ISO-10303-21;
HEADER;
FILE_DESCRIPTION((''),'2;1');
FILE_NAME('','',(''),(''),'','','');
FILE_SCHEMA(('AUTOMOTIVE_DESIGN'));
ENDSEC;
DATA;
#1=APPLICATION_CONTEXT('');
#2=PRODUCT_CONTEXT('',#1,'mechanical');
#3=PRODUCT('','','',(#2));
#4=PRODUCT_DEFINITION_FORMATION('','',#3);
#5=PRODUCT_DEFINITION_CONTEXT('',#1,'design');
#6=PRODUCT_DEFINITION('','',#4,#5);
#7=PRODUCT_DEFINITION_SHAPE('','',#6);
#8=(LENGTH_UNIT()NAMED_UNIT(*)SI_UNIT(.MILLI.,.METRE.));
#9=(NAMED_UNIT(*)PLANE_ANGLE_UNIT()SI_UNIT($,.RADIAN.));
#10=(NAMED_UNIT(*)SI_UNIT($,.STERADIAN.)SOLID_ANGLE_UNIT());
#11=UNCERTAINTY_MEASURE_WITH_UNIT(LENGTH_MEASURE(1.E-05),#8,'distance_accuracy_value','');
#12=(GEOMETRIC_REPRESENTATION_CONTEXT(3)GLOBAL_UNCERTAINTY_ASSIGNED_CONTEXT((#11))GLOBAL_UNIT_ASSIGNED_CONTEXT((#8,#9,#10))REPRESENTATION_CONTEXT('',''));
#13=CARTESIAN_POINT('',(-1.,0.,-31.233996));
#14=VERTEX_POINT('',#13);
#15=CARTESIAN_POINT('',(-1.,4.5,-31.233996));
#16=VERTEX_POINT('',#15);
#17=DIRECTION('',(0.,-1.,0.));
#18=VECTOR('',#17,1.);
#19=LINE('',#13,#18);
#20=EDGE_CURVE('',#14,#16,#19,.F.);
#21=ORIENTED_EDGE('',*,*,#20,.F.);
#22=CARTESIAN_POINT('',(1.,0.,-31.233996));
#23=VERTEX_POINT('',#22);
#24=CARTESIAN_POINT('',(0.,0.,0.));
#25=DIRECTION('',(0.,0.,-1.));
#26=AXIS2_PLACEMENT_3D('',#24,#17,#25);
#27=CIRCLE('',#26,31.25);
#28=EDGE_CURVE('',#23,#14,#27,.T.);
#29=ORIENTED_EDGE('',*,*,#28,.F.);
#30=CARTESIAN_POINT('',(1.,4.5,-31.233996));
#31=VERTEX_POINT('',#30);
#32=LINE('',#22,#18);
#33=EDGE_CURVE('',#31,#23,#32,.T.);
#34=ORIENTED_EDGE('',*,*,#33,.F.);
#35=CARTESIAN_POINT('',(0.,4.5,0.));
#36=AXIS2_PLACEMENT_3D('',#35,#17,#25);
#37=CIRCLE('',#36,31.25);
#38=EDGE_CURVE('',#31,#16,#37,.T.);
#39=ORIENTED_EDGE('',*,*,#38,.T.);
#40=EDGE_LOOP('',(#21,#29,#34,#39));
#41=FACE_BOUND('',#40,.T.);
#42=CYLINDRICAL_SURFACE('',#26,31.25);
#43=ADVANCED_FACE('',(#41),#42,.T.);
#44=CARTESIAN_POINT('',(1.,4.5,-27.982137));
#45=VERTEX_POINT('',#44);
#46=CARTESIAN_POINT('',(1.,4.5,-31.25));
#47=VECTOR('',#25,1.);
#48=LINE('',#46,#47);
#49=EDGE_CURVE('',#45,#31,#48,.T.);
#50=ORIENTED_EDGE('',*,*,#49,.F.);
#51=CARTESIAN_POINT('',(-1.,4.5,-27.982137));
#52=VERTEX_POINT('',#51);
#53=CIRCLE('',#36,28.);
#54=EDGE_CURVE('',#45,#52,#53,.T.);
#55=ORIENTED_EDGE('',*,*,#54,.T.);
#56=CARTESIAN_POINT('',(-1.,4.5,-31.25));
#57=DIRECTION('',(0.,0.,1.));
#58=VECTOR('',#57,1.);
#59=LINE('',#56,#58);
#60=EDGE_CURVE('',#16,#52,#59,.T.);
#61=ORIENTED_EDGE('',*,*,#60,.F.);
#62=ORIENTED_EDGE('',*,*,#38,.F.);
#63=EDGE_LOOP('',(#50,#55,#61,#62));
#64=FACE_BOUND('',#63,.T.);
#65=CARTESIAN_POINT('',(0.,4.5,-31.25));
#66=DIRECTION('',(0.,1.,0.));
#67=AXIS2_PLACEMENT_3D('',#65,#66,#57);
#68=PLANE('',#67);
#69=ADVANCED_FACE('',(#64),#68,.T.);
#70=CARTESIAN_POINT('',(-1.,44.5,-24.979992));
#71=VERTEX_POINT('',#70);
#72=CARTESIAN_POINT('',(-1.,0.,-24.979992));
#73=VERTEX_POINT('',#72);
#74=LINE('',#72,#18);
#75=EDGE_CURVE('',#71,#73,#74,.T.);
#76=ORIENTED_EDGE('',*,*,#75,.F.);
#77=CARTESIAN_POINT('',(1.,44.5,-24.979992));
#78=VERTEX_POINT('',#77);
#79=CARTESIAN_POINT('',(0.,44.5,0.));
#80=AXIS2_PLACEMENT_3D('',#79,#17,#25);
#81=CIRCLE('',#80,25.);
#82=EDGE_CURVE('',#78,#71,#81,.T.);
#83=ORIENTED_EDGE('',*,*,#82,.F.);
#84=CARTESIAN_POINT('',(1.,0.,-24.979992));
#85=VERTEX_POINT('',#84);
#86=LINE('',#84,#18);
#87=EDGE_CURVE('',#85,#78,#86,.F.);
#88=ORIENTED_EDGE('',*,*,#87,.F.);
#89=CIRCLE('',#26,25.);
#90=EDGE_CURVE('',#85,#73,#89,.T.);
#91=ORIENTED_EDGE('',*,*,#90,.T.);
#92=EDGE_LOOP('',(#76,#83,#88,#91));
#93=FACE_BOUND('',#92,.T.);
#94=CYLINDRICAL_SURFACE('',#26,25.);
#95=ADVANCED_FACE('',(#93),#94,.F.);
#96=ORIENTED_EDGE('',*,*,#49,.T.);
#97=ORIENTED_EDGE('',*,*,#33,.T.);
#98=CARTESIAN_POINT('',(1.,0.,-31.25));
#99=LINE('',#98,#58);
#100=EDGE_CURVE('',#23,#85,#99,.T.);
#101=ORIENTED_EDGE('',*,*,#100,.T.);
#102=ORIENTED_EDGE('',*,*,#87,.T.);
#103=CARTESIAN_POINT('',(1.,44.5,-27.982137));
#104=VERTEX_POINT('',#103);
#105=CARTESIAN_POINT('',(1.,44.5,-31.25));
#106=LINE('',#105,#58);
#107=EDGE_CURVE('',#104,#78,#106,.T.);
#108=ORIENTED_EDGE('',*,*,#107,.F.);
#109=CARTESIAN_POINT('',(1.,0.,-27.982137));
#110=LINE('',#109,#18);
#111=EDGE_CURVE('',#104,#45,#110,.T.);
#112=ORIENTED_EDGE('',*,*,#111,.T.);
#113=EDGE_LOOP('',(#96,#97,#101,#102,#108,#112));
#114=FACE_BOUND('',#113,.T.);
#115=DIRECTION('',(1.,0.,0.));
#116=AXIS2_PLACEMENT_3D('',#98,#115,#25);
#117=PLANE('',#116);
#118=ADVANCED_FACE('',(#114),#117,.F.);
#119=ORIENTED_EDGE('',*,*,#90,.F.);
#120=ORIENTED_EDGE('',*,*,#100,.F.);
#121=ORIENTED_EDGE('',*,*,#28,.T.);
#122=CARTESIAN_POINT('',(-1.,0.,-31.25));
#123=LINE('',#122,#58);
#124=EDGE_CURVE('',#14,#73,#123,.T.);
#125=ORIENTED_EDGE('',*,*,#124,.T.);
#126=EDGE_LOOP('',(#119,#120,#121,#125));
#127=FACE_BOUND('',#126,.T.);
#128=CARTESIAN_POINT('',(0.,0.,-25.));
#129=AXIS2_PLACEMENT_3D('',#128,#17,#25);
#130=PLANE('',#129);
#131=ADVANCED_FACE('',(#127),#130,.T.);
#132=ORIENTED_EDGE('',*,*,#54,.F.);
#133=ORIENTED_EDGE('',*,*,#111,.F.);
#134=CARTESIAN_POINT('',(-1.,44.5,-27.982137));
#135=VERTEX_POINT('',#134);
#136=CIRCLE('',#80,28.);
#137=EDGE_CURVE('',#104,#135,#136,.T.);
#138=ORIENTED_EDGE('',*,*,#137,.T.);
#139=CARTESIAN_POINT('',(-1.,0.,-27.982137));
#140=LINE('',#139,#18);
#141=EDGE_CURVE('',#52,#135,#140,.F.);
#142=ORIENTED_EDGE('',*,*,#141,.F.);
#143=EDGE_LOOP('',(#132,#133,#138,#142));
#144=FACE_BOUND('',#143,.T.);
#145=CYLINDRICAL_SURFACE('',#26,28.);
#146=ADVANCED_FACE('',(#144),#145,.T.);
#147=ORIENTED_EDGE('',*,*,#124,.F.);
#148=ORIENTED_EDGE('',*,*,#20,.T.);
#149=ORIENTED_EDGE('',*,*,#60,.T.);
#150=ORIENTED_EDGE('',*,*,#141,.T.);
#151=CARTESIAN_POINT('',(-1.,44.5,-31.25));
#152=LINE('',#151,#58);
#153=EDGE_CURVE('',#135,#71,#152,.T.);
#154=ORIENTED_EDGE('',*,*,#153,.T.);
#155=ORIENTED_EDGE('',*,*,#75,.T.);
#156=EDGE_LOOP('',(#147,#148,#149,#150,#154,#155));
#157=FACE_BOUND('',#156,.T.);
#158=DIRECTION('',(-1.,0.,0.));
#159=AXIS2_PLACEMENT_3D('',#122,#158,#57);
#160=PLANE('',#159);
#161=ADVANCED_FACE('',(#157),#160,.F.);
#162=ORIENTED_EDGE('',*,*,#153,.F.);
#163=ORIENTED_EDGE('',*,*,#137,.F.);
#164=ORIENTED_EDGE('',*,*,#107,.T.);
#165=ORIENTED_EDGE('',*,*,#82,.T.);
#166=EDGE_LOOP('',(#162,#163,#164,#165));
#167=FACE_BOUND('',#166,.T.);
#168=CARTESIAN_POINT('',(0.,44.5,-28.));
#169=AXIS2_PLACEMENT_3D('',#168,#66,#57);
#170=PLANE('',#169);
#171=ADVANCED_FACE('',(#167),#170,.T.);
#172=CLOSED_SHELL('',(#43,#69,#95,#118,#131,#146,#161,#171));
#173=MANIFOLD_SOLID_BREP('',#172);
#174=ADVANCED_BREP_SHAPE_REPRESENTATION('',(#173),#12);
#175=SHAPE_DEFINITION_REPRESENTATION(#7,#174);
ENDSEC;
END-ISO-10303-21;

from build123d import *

# Parameters (mm, degrees)
ESQUISSE2_W             = 2
ESQUISSE2_H             = 44.5
ENL_V_MAT_EXTRU_1_DEPTH = 32.25


with BuildPart() as part:
    # Esquisse1 → Révolution1 (revolve)
    with BuildSketch(Plane(origin=(0, 0, 0), x_dir=(0, 0, -1), z_dir=(1, 0, 0))):
        Polygon((25, 44.5), (25, 0), (31.25, 0), (31.25, 4.5), (28, 4.5), (28, 44.5), align=None)
    revolve(axis=Axis((0, 0, 0), (0, 1, 0)))

    # Esquisse2 → Enlèv. mat.-Extru.1 (cut, through all)
    with BuildSketch(Plane.XY):
        with Locations((0, 22.25)):
            Rectangle(ESQUISSE2_W, ESQUISSE2_H)
    extrude(amount=-ENL_V_MAT_EXTRU_1_DEPTH, mode=Mode.SUBTRACT)


solid = part.part
